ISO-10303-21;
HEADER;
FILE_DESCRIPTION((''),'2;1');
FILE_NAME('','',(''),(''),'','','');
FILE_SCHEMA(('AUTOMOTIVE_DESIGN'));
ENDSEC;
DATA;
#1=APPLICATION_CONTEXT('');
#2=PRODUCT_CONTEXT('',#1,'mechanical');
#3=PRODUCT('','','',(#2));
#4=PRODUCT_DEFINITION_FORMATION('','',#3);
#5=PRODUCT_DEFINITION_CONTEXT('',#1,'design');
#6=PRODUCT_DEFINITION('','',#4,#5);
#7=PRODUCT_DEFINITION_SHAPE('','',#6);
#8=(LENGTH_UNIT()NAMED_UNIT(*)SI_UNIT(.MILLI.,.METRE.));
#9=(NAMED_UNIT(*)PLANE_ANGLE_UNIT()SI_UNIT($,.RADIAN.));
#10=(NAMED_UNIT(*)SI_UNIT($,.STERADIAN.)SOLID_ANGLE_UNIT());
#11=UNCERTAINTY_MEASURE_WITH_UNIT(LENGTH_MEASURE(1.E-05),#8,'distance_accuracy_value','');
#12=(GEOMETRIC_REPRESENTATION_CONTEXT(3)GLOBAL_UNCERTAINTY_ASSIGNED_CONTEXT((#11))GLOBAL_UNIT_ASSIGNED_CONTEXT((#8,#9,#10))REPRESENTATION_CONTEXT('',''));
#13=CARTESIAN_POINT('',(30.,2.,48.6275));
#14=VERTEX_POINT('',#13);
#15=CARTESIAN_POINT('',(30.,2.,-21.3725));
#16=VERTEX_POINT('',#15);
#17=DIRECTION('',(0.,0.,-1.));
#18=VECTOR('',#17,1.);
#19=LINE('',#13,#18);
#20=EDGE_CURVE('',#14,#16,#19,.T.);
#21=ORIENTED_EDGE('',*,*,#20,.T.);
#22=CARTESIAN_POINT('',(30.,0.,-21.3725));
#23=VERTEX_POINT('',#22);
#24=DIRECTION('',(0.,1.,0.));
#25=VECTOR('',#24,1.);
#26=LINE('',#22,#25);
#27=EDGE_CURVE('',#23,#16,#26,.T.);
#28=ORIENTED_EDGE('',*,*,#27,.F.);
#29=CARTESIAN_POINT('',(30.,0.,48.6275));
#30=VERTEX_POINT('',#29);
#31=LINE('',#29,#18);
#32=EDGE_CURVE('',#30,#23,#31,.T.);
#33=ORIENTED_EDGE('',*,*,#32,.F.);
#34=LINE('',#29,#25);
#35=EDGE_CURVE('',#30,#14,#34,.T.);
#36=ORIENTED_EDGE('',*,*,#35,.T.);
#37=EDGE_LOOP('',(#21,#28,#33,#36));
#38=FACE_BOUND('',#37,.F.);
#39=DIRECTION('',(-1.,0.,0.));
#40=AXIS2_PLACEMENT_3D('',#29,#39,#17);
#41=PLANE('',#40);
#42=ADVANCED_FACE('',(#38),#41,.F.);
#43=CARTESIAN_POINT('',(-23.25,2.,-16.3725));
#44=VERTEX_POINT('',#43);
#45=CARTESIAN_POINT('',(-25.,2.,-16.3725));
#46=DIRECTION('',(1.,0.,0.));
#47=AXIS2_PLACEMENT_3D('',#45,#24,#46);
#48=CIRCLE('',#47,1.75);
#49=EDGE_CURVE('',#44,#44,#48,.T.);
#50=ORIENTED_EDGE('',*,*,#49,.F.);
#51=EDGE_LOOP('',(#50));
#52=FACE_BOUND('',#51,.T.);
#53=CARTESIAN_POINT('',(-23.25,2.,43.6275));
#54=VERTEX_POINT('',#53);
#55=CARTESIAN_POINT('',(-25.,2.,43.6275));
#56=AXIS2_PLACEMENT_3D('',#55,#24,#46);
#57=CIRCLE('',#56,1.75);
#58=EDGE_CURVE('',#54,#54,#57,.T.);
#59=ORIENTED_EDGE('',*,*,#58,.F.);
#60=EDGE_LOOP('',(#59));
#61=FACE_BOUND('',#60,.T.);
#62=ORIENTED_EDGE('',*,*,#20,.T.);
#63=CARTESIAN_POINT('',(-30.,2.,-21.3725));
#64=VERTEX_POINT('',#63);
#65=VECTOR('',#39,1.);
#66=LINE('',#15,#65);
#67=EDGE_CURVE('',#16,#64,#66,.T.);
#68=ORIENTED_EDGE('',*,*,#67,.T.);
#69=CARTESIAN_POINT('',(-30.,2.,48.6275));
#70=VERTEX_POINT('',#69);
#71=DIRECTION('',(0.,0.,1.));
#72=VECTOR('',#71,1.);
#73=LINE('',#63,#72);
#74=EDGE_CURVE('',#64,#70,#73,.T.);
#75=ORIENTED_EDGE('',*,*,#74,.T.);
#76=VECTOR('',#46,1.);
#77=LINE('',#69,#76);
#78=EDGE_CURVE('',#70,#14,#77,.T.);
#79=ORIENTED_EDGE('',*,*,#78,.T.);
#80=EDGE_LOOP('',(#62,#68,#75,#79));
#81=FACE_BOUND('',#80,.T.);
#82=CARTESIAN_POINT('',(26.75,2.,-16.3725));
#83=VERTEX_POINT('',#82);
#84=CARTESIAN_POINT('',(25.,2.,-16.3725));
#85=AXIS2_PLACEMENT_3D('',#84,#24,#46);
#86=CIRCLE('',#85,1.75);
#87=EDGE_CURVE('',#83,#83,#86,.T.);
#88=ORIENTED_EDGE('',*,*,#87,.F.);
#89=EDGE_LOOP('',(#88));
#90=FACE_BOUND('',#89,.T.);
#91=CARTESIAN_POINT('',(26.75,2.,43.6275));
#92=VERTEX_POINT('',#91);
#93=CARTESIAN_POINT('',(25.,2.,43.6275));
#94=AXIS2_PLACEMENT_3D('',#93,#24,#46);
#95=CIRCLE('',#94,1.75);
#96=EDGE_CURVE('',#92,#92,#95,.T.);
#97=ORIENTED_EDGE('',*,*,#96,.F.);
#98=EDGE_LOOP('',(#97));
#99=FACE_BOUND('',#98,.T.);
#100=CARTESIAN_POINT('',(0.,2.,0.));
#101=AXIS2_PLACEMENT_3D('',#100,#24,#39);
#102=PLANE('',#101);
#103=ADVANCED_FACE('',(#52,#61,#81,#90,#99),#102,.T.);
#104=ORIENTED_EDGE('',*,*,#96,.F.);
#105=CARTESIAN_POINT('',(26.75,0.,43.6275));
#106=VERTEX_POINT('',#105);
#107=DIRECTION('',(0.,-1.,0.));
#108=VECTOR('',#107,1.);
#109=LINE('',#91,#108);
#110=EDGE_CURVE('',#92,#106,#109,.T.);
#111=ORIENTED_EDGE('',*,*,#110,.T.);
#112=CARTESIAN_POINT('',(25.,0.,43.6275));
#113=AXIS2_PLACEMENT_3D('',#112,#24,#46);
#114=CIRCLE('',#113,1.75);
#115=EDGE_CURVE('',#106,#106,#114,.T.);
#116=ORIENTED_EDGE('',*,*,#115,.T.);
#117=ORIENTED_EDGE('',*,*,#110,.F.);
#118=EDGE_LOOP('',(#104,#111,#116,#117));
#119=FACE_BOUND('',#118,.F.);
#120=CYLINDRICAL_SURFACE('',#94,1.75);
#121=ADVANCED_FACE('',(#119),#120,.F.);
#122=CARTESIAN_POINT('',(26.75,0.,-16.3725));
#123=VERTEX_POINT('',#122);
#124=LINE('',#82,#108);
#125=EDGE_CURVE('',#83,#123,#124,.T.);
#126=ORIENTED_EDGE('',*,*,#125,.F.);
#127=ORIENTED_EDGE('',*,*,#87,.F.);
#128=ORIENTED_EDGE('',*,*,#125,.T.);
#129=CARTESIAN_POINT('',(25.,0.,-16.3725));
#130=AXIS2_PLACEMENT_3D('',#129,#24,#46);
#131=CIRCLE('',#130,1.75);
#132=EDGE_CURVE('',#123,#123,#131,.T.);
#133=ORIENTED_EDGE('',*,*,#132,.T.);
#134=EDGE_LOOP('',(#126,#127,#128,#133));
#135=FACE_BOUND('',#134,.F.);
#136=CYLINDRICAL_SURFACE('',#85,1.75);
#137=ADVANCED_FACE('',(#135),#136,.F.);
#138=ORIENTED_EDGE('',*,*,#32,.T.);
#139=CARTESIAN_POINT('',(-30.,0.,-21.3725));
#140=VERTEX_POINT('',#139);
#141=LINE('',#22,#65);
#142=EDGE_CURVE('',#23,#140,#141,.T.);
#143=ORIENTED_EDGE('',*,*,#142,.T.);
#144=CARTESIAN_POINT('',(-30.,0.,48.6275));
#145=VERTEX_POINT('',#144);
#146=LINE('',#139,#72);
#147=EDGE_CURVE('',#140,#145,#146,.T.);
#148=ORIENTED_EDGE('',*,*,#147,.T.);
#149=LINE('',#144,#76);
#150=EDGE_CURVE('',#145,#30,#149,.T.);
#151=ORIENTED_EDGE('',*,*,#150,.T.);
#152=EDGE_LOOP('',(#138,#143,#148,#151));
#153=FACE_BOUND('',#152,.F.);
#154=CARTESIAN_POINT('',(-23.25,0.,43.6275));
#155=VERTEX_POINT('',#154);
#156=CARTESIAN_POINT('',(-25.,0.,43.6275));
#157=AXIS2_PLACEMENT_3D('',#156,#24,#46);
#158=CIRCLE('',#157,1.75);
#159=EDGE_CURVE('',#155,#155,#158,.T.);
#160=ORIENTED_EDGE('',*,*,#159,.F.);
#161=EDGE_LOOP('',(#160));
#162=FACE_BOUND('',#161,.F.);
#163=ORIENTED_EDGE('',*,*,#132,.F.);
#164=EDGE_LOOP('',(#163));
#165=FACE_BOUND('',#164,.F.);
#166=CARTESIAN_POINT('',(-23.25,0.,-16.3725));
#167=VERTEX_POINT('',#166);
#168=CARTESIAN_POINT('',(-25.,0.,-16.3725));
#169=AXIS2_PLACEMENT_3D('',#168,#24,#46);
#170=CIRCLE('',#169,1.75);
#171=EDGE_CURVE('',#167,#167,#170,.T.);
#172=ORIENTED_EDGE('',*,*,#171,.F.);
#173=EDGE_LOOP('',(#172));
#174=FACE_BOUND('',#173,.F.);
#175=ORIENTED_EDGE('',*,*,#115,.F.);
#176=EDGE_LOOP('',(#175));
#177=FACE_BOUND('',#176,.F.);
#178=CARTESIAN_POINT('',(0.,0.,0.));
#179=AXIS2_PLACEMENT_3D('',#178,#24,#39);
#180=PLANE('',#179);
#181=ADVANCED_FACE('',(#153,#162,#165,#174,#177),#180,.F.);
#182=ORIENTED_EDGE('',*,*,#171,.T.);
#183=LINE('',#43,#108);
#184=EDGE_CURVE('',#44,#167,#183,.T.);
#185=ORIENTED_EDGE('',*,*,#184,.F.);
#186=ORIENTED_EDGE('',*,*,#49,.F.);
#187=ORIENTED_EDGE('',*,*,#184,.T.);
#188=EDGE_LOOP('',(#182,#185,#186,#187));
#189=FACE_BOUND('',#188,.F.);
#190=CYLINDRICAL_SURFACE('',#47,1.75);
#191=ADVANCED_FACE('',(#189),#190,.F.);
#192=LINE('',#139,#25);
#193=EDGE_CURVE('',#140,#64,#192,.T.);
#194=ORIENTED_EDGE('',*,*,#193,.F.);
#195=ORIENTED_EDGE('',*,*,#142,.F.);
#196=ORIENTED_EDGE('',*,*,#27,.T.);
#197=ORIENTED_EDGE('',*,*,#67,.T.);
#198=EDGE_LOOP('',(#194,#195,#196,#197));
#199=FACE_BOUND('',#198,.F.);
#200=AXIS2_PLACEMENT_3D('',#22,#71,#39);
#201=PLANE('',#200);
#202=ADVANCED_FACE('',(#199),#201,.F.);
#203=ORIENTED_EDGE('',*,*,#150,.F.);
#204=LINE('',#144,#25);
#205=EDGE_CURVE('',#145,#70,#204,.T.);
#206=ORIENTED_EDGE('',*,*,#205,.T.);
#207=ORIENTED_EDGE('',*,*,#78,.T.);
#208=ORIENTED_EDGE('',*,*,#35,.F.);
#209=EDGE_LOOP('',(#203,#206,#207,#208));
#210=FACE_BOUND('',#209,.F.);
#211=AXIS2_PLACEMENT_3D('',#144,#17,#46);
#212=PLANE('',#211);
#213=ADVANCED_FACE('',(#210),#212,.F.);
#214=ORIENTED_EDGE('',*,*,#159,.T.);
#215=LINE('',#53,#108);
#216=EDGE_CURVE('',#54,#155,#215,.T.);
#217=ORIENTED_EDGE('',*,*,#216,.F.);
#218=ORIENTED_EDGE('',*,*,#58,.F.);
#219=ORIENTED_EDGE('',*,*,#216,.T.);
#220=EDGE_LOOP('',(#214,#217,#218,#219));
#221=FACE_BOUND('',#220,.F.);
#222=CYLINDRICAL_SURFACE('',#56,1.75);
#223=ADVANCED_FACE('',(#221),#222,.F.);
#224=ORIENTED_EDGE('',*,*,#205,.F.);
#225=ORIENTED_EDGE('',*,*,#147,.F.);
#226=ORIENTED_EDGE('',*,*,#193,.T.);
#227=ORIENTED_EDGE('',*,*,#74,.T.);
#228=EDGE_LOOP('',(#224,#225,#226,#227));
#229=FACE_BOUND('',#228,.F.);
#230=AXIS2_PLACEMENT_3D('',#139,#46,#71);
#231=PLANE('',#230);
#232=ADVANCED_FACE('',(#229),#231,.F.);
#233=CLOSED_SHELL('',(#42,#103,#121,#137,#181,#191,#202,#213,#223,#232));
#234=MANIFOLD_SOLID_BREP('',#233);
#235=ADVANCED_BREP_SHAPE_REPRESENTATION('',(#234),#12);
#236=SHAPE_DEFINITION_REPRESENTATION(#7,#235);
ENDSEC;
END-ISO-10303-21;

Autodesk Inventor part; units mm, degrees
ref_plane "YZ Plane" through (0, 0, 0) normal (1, 0, 0) x (0, 1, 0)
ref_plane "XZ Plane" through (0, 0, 0) normal (0, 1, 0) x (-1, 0, 0)
ref_plane "XY Plane" through (0, 0, 0) normal (0, 0, 1) x (1, 0, 0)
sketch "Sketch1" plane through (0, 0, 0) normal (0, 1, 0) x (-1, 0, 0)
  line L0 (30, 48.6275) -> (-30, 48.6275)
  line L1 (-30, 48.6275) -> (-30, -21.3725)
  line L2 (-30, -21.3725) -> (30, -21.3725)
  line L3 (30, -21.3725) -> (30, 48.6275)
  point P0 (0, 0)
  dimension "d0" = 70
  dimension "d1" = 60
extrude "Extrusion1" add sketch "Sketch1" along normal blind 2
sketch "Sketch2" plane through (0, 2, 0) normal (0, 1, 0) x (1, 0, 0)
  line L0 (0, 0) -> (-21.5262, 0) construction
  circle A0 centre (-25, -43.6275) radius 1.75
  line L1 (-30, -48.6275) -> (30, -48.6275) projected
  line L2 (-30, 21.3725) -> (-30, -48.6275) projected
  circle A1 centre (25, -43.6275) radius 1.75
  circle A2 centre (25, 16.3725) radius 1.75
  circle A3 centre (-25, 16.3725) radius 1.75
  line L3 (30, -48.6275) -> (30, 21.3725) projected
  line L4 (30, 21.3725) -> (-30, 21.3725) projected
  dimension "d4" = 3.5
  dimension "d5" = 5
  dimension "d6" = 5
  dimension "d7" = 3.5
  dimension "d8" = 3.5
  dimension "d9" = 3.5
  dimension "d10" = 5
  dimension "d11" = 5
  dimension "d12" = 5
  dimension "d13" = 5
  dimension "d14" = 5
  dimension "d15" = 5
extrude "Extrusion2" cut sketch "Sketch2" against normal through all contours A0 | A1 | A2 | A3
properties part number "Supporto1"
